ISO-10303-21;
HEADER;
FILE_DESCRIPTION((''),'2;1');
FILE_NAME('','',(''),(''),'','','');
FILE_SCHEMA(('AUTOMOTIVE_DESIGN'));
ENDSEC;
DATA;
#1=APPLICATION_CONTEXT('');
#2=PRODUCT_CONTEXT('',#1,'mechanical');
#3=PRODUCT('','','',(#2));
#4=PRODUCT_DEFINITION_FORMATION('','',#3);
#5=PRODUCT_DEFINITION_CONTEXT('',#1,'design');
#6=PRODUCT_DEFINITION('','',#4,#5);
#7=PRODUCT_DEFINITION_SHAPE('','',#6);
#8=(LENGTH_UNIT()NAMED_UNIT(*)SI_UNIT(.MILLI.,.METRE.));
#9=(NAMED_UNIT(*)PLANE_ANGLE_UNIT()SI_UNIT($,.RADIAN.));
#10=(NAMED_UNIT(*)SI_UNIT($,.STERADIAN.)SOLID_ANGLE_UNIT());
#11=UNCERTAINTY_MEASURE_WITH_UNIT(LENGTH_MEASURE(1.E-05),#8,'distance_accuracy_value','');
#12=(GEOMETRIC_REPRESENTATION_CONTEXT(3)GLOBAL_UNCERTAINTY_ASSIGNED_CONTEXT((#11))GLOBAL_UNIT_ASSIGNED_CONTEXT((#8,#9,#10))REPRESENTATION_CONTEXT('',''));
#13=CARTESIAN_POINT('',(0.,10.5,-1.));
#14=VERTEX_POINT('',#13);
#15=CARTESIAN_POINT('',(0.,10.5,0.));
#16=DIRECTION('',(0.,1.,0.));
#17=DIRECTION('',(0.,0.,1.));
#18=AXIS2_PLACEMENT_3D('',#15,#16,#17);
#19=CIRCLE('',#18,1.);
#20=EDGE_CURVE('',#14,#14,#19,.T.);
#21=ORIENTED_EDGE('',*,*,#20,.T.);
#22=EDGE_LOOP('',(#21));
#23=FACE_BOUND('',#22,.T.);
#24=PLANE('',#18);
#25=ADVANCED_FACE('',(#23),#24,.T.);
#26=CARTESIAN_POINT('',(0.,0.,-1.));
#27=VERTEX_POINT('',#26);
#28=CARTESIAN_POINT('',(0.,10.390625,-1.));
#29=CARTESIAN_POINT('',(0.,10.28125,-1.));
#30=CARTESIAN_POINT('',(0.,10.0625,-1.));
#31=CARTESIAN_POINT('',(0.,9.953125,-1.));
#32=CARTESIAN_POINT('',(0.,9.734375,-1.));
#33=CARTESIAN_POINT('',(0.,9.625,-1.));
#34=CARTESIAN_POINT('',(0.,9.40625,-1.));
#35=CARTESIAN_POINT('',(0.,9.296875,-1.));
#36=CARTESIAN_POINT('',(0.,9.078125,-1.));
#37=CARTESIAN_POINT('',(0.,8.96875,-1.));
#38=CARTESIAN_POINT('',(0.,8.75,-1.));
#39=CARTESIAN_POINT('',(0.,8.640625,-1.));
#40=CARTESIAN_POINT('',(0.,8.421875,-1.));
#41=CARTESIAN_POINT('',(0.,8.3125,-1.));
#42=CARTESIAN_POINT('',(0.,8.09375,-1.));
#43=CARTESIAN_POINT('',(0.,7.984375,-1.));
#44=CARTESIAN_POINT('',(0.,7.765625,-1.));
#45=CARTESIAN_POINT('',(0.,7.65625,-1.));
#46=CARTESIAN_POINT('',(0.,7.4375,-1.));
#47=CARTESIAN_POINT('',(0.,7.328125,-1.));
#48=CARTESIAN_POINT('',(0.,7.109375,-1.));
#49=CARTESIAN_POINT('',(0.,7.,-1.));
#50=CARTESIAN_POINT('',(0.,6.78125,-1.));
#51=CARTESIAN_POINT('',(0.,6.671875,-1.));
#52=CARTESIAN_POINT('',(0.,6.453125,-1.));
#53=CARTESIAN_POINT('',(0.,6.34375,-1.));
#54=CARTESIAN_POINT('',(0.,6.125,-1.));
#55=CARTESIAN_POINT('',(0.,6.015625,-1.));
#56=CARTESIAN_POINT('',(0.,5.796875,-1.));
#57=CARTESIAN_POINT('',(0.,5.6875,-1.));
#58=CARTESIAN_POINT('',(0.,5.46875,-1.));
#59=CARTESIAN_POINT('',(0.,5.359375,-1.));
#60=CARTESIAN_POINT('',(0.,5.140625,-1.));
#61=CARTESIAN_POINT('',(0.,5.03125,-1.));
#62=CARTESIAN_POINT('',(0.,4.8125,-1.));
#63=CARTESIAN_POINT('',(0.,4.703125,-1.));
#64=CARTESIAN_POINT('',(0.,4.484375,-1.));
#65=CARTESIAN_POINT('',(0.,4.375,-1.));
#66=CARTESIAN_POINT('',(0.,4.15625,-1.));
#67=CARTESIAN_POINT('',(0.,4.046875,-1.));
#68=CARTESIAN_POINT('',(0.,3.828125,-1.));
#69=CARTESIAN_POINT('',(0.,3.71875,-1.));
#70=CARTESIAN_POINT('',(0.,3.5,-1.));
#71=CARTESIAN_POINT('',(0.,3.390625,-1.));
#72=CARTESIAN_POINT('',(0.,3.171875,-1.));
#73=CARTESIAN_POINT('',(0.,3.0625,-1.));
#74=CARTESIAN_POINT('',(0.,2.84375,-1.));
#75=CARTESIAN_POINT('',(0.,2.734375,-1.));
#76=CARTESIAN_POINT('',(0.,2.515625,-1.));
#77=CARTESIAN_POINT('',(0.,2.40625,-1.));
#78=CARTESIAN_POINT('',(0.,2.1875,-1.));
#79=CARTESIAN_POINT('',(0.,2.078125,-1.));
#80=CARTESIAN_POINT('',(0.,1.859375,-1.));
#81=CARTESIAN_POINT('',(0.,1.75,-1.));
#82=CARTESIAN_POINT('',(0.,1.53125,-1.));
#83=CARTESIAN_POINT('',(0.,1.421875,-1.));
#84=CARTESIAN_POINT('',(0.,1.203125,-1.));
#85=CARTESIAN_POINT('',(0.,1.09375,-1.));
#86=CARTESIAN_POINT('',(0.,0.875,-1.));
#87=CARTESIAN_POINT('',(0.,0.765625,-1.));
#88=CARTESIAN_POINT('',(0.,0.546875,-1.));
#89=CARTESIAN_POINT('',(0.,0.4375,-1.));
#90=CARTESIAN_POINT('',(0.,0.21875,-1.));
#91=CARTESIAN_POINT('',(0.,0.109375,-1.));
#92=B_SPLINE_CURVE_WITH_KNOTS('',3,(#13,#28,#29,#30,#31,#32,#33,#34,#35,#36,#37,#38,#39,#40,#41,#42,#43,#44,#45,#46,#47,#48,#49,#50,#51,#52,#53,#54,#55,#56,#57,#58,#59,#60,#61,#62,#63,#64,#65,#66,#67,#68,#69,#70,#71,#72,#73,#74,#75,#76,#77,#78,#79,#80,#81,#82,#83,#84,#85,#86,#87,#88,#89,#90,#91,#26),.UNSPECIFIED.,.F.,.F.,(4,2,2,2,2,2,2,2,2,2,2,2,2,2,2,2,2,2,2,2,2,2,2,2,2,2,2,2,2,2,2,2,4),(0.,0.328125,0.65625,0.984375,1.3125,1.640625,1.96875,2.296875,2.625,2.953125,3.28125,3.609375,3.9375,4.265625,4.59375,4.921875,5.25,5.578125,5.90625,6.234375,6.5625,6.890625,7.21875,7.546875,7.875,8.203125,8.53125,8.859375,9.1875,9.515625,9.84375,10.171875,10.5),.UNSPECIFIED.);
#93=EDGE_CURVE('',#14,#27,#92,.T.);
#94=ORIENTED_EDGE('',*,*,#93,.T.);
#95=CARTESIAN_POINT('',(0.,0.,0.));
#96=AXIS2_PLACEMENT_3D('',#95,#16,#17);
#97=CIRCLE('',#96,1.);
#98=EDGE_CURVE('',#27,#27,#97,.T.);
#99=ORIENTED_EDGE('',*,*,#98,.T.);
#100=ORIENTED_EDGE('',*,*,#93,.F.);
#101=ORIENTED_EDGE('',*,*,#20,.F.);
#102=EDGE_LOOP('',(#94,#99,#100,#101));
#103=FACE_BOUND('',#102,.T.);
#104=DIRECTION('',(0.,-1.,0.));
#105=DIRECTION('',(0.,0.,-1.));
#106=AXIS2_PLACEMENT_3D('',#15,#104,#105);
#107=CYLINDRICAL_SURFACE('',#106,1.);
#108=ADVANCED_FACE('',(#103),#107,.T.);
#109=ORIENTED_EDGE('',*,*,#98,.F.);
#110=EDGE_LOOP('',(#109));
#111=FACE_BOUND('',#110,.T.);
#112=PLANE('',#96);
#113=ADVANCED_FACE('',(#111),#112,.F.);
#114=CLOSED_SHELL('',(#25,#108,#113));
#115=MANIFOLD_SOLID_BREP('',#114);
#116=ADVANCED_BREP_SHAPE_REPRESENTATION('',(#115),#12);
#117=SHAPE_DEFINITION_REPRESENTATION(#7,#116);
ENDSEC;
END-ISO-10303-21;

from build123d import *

# Parameters (mm, degrees)
SKETCH1_R           = 1
BOSS_EXTRUDE1_DEPTH = 10.5


with BuildPart() as part:
    # Sketch1 → Boss-Extrude1 (new body)
    with BuildSketch(Plane(origin=(0, 0, 0), x_dir=(1, 0, 0), z_dir=(0, 1, 0))):
        with Locations(Location((0, 0, 0), (0, 0, 90))):
            Circle(SKETCH1_R)
    extrude(amount=BOSS_EXTRUDE1_DEPTH)


solid = part.part
